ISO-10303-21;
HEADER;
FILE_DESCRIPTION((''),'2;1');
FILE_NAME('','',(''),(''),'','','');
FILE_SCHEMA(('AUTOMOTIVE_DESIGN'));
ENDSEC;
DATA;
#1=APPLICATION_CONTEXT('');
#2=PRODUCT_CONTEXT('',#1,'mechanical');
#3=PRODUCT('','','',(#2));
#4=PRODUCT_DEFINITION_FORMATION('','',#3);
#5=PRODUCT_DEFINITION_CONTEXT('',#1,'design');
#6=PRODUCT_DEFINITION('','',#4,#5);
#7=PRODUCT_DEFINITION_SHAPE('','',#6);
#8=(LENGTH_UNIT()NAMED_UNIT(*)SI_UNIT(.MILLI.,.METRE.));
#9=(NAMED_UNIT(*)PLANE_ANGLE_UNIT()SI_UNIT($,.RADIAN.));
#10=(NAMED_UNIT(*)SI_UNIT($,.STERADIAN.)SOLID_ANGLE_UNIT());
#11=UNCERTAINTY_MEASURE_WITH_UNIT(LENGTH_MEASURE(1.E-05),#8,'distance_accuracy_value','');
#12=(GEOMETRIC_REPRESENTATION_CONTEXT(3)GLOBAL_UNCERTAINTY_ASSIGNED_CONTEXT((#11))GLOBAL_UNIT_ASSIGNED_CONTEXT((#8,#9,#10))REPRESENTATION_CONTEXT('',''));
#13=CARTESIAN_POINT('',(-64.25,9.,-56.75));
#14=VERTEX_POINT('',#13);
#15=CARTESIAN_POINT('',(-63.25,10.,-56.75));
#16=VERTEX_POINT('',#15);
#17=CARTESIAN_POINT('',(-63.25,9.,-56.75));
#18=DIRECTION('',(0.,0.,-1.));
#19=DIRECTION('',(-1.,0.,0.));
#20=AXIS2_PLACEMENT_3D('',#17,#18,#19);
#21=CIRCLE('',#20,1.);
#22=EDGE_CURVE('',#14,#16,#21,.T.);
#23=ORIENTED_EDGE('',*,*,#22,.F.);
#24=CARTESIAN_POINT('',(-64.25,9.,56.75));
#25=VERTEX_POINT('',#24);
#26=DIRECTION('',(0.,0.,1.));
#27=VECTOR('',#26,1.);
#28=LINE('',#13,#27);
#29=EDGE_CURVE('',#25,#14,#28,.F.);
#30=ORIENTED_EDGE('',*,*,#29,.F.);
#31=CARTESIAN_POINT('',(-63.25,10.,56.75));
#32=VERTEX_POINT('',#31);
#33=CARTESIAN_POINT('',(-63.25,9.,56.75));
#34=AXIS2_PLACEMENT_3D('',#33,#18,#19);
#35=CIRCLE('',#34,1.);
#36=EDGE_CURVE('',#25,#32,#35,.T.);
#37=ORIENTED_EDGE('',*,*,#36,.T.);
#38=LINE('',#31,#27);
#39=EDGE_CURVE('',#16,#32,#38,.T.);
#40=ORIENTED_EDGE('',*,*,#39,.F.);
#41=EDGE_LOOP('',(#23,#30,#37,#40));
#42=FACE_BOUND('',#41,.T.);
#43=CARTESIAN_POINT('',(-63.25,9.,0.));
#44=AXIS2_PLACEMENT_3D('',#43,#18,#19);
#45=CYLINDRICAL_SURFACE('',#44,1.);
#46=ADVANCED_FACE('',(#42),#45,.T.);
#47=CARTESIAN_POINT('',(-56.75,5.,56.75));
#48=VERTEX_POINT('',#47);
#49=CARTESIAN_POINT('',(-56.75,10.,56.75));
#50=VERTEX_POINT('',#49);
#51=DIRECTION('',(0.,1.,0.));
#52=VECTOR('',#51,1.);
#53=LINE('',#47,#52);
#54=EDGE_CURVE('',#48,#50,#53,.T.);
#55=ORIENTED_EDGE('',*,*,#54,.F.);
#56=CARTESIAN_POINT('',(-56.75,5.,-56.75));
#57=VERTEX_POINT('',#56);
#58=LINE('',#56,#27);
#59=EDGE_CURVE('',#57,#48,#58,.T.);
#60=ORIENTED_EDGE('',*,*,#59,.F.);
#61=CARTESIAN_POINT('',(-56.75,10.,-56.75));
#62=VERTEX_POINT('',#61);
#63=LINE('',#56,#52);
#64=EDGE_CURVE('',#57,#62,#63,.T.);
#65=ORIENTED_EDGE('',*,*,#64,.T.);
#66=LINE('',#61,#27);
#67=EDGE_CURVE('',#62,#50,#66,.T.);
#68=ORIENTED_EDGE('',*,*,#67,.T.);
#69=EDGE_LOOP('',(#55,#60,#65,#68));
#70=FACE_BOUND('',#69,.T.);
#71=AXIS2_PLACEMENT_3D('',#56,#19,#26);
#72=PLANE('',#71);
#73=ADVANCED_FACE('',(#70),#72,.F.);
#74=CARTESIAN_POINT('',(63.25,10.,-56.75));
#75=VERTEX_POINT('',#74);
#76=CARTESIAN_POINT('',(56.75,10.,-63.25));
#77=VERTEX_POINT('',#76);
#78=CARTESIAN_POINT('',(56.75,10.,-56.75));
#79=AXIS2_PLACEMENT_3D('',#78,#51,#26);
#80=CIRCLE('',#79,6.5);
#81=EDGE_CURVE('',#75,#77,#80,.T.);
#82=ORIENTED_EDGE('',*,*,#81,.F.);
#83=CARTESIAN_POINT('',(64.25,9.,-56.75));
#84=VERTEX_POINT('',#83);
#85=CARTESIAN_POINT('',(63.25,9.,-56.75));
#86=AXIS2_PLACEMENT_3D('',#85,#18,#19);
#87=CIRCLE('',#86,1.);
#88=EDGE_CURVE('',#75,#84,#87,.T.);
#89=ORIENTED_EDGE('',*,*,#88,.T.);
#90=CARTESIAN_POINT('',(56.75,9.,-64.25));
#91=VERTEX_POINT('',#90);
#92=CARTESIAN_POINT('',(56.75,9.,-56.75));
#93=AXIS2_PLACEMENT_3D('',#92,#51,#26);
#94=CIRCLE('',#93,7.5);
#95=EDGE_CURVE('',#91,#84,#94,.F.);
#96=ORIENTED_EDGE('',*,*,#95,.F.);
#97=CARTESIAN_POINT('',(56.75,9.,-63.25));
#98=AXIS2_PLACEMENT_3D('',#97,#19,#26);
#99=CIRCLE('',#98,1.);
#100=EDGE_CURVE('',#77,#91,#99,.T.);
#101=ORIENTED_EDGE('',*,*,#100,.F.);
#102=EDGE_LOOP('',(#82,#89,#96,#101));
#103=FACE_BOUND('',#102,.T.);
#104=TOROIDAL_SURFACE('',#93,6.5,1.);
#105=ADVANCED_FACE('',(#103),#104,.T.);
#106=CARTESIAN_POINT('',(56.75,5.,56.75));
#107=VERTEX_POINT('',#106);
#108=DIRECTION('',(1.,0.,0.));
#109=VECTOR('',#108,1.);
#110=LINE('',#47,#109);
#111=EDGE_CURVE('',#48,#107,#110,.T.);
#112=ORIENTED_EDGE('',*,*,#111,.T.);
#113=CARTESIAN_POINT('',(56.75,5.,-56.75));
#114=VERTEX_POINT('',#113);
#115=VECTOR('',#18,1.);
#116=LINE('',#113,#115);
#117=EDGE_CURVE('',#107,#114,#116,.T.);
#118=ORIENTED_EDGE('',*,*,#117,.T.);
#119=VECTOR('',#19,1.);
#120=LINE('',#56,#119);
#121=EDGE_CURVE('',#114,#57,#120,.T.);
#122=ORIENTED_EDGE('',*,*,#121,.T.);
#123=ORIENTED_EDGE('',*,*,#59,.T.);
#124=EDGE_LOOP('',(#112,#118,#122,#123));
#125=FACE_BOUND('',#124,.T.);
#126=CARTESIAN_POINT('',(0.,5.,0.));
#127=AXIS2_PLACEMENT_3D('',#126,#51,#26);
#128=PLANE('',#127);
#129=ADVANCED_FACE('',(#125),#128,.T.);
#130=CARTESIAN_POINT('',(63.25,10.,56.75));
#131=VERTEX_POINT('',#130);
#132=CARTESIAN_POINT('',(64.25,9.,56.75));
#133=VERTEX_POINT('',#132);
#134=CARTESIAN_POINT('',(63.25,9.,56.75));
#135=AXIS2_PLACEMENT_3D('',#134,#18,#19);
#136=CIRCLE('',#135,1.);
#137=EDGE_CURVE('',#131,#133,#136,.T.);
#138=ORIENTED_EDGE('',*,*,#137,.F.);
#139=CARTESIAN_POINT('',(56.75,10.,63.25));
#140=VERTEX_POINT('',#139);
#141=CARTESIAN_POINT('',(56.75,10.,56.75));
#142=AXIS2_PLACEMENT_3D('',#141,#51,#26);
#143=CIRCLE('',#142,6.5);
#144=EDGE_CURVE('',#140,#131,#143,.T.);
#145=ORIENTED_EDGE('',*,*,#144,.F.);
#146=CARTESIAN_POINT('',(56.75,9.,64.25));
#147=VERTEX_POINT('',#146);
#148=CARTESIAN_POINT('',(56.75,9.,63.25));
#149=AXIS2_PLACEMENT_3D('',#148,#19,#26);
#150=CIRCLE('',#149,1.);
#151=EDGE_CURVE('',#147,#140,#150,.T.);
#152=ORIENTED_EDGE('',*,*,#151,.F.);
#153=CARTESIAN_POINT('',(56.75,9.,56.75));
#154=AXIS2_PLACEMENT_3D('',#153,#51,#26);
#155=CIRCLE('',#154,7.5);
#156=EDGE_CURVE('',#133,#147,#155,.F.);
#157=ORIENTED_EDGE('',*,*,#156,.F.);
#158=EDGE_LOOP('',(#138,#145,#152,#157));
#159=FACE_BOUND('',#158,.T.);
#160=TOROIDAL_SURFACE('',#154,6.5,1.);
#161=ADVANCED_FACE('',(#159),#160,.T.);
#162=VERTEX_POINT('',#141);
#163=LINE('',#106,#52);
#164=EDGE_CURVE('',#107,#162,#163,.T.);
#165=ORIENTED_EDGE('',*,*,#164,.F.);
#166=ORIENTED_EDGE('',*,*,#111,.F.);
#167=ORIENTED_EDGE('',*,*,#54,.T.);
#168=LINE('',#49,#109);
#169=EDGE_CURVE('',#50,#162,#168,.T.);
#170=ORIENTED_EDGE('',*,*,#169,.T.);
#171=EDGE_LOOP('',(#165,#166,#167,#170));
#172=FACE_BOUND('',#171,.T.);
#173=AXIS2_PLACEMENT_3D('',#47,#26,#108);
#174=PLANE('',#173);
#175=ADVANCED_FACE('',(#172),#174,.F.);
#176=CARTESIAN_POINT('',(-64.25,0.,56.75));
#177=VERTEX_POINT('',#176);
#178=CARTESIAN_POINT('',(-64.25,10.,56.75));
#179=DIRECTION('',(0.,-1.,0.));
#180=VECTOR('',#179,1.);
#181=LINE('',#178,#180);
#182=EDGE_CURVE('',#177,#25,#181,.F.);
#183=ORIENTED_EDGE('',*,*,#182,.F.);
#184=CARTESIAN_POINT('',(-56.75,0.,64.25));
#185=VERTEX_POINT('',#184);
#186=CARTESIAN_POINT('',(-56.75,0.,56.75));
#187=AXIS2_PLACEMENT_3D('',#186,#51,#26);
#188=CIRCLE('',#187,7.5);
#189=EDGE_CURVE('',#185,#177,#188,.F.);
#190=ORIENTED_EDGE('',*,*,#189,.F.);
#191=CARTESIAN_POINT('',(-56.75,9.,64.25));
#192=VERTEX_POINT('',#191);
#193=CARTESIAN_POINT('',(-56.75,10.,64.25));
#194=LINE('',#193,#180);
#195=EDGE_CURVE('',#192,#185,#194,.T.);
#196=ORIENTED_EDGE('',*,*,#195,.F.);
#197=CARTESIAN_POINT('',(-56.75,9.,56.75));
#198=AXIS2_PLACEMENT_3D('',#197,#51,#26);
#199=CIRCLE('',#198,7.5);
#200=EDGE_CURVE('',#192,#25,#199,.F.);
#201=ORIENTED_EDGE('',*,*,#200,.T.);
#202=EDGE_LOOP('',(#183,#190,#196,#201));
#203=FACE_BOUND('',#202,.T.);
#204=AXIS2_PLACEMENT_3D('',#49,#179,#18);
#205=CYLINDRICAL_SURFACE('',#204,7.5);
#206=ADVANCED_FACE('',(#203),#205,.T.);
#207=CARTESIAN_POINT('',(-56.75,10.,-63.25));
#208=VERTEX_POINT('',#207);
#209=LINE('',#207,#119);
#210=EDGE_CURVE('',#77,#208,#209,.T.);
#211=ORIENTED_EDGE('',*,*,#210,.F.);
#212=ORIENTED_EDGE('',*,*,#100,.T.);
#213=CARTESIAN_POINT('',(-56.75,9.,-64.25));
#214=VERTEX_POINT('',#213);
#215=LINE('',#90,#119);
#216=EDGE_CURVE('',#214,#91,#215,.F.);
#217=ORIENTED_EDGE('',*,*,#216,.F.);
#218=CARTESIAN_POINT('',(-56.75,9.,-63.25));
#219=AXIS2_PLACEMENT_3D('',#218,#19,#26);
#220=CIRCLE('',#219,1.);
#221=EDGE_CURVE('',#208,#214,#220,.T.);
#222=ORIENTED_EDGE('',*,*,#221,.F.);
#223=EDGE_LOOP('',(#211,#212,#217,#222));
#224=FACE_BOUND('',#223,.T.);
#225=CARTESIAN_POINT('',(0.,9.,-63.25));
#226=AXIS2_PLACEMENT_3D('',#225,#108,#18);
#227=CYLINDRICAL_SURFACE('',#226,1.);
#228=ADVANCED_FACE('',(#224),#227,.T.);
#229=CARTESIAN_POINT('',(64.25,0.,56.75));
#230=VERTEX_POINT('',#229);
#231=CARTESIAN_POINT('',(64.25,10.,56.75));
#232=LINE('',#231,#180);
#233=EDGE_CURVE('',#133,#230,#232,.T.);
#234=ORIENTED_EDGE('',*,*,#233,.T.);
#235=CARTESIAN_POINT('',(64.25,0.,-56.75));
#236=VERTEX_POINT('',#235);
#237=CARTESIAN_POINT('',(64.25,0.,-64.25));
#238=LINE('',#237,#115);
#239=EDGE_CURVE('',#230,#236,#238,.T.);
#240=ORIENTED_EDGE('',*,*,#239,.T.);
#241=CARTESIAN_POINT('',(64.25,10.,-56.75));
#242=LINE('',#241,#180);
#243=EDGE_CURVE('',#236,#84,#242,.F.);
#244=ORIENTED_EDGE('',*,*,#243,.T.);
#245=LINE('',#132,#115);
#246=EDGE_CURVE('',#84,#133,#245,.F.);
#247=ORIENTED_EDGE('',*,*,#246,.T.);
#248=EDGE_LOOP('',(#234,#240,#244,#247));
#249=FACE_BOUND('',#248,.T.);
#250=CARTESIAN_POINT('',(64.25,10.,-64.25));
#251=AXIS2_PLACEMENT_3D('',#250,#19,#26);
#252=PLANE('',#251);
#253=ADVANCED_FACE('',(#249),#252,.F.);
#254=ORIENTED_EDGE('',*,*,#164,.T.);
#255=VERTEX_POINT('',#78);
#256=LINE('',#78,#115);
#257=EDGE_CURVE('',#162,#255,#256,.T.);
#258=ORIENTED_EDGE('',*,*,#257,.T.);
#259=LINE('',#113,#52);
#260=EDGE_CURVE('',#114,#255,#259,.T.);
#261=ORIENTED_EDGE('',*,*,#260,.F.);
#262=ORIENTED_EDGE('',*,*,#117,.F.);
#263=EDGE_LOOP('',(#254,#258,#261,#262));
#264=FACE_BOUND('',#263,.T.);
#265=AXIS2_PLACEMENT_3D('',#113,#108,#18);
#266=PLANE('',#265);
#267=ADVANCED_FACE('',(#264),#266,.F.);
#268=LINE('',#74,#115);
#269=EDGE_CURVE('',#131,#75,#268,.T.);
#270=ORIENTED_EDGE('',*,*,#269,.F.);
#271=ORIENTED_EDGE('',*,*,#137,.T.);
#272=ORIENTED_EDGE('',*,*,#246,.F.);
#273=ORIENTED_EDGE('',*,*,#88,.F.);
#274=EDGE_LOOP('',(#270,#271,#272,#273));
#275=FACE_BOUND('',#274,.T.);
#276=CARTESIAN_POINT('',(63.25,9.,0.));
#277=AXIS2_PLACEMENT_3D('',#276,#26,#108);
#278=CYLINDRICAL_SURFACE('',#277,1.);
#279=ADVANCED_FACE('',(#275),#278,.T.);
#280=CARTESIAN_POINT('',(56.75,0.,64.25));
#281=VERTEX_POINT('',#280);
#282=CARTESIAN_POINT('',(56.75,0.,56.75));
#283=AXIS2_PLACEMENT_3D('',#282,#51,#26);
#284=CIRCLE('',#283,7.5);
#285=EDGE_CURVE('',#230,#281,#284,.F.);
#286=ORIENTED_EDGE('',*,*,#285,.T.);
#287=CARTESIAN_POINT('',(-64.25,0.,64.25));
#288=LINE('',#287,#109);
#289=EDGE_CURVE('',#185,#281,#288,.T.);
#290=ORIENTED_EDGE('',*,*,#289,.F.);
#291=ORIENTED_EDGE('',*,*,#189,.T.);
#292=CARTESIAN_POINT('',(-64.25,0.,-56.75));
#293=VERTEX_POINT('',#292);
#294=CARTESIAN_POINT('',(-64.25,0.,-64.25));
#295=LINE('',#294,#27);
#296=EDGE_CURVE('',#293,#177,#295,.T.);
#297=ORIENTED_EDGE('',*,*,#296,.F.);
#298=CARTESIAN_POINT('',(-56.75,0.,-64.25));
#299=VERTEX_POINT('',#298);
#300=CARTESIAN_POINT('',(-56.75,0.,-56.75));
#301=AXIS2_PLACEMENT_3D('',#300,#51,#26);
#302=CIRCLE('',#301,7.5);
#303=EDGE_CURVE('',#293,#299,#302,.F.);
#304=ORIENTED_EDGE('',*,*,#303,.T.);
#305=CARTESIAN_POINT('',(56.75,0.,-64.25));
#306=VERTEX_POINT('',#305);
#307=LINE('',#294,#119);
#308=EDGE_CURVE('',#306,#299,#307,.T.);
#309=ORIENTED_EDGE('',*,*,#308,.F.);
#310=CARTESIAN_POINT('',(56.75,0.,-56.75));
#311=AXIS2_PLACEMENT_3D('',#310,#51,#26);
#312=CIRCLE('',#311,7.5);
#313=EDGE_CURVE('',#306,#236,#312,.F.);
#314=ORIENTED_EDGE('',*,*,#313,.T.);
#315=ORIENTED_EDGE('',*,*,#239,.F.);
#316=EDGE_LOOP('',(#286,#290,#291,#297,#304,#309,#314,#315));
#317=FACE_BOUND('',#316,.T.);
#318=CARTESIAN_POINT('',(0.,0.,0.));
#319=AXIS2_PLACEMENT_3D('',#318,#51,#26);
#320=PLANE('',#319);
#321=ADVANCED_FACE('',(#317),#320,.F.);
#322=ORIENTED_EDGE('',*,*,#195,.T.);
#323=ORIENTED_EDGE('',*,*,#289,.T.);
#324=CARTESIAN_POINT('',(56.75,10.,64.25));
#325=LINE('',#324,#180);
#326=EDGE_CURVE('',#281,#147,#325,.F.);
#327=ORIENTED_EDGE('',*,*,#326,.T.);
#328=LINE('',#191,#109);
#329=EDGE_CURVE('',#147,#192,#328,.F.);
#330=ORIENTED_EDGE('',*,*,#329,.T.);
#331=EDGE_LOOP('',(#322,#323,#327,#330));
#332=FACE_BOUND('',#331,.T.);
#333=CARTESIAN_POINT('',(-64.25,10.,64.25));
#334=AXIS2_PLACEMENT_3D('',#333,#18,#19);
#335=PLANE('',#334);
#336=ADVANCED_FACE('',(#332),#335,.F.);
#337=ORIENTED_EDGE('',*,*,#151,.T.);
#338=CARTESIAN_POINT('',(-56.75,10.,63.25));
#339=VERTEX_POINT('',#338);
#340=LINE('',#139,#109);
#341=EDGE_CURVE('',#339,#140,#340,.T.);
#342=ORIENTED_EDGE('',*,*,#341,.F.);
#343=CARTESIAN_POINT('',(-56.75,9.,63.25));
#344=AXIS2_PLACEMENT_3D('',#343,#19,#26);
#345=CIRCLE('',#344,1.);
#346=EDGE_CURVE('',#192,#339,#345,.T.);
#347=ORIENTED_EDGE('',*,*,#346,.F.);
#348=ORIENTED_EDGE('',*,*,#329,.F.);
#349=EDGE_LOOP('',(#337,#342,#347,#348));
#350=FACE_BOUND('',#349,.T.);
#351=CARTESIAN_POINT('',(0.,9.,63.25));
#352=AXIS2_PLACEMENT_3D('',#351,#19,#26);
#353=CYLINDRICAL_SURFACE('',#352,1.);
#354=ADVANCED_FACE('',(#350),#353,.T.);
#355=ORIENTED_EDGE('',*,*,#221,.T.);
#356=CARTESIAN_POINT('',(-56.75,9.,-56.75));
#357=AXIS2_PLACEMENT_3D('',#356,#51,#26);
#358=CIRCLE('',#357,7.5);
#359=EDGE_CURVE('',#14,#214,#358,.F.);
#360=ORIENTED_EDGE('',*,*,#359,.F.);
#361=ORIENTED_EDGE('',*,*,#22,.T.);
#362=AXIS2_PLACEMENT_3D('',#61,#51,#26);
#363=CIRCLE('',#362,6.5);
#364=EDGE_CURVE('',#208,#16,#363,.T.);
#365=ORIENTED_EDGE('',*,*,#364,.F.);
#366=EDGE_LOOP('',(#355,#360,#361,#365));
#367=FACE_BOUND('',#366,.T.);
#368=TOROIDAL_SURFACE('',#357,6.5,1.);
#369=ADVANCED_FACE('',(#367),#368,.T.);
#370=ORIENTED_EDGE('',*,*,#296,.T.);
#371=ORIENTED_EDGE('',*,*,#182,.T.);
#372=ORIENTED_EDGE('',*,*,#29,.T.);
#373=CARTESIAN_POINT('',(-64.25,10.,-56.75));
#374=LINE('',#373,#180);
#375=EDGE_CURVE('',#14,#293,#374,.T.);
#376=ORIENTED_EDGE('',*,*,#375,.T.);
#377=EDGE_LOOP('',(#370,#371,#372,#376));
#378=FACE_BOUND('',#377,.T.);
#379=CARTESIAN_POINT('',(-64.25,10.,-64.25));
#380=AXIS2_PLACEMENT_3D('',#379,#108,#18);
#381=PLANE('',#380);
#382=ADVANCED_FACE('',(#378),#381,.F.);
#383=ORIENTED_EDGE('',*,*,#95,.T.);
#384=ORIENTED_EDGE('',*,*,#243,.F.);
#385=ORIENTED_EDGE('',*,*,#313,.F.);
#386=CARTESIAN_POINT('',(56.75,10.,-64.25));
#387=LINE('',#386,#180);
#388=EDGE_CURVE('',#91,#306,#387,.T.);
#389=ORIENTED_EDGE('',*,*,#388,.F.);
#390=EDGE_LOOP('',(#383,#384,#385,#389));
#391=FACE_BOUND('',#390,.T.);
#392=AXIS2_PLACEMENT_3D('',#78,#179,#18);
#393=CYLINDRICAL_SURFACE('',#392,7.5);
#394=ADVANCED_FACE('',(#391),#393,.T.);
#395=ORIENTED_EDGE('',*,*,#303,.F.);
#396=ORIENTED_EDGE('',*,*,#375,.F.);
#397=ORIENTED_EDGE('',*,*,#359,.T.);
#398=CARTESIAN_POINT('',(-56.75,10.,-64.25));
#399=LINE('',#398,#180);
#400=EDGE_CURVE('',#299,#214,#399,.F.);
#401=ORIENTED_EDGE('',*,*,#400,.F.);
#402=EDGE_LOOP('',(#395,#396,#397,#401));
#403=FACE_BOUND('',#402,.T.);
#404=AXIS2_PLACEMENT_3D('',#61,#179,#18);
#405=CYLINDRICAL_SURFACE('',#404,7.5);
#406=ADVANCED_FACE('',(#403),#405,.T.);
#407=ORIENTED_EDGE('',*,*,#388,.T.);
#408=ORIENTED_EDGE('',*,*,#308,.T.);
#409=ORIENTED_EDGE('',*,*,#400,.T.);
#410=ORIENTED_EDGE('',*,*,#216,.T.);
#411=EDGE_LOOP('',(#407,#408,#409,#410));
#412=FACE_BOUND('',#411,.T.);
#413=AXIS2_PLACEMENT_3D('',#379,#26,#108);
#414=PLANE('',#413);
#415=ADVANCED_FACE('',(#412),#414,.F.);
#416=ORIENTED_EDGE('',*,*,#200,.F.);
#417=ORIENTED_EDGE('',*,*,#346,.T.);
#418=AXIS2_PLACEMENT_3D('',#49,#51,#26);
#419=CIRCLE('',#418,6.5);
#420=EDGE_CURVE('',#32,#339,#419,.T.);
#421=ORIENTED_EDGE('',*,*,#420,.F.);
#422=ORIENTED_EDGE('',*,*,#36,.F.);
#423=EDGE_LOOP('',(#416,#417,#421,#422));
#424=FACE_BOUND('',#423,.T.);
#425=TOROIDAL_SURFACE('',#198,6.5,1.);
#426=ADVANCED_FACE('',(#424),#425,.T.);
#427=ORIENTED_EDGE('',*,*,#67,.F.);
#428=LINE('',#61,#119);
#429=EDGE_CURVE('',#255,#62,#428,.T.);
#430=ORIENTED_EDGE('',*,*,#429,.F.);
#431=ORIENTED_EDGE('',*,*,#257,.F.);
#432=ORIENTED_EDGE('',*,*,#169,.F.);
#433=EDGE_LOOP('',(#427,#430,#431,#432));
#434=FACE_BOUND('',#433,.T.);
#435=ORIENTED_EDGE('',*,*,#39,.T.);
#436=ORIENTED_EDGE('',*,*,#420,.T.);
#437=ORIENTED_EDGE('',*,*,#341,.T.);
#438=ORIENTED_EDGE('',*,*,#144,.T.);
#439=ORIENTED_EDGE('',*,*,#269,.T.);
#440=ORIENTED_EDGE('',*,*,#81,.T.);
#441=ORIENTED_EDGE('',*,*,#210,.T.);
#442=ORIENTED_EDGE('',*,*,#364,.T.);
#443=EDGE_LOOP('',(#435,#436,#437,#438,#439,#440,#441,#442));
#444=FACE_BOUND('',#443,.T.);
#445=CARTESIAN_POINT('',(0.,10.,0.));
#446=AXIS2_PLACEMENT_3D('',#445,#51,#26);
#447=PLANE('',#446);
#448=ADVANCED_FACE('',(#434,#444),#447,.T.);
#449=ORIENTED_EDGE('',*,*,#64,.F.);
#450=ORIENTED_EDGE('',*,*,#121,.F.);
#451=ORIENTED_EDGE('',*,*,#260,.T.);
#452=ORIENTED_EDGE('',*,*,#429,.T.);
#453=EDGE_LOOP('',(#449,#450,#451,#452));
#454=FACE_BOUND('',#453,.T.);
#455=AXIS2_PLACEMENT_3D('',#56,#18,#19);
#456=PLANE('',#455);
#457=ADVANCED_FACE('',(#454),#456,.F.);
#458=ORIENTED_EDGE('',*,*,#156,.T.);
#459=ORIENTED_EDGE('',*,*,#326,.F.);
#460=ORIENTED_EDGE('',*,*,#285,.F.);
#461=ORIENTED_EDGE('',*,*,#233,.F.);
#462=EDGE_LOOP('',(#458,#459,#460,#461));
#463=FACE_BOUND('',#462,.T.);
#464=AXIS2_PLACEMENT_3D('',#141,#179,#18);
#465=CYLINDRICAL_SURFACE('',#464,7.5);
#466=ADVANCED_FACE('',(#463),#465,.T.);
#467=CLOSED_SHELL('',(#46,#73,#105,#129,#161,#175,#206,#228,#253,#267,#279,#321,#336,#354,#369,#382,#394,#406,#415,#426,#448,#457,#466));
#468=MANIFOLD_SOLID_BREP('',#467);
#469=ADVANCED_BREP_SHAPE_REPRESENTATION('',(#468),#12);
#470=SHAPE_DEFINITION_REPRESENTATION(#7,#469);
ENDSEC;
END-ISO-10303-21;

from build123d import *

# Parameters (mm, degrees)
SKETCH1_W           = 128.5
SKETCH1_H           = 128.5
BOSS_EXTRUDE1_DEPTH = 10
SKETCH2_W           = 113.5
SKETCH2_H           = 113.5
CUT_EXTRUDE3_DEPTH  = 5
FILLET1_R           = 7.5
FILLET2_R           = 1


with BuildPart() as part:
    # Sketch1 → Boss-Extrude1 (new body)
    with BuildSketch(Plane(origin=(0, 0, 0), x_dir=(1, 0, 0), z_dir=(0, 1, 0))):
        Rectangle(SKETCH1_W, SKETCH1_H)
    extrude(amount=BOSS_EXTRUDE1_DEPTH)

    # Sketch2 → Cut-Extrude3 (cut)
    with BuildSketch(Plane(origin=(0, 10, 0), x_dir=(1, 0, 0), z_dir=(0, 1, 0))):
        Rectangle(SKETCH2_W, SKETCH2_H)
    extrude(amount=-CUT_EXTRUDE3_DEPTH, mode=Mode.SUBTRACT)

    # Fillet1
    fillet1_edges = [part.edges().sort_by_distance(p)[0] for p in [
        (64.25, 5, 64.25),
        (-64.25, 5, 64.25),
        (-64.25, 5, -64.25),
        (64.25, 5, -64.25),
    ]]
    fillet(fillet1_edges, radius=FILLET1_R)

    # Fillet2
    fillet2_edges = [part.edges().sort_by_distance(p)[0] for p in [
        (64.25, 10, 0),
        (0, 10, 64.25),
        (0, 10, -64.25),
        (-64.25, 10, 0),
        (-62.053300859, 10, 62.053300859),
        (-62.053300859, 10, -62.053300859),
        (62.053300859, 10, -62.053300859),
        (62.053300859, 10, 62.053300859),
    ]]
    fillet(fillet2_edges, radius=FILLET2_R)


solid = part.part
